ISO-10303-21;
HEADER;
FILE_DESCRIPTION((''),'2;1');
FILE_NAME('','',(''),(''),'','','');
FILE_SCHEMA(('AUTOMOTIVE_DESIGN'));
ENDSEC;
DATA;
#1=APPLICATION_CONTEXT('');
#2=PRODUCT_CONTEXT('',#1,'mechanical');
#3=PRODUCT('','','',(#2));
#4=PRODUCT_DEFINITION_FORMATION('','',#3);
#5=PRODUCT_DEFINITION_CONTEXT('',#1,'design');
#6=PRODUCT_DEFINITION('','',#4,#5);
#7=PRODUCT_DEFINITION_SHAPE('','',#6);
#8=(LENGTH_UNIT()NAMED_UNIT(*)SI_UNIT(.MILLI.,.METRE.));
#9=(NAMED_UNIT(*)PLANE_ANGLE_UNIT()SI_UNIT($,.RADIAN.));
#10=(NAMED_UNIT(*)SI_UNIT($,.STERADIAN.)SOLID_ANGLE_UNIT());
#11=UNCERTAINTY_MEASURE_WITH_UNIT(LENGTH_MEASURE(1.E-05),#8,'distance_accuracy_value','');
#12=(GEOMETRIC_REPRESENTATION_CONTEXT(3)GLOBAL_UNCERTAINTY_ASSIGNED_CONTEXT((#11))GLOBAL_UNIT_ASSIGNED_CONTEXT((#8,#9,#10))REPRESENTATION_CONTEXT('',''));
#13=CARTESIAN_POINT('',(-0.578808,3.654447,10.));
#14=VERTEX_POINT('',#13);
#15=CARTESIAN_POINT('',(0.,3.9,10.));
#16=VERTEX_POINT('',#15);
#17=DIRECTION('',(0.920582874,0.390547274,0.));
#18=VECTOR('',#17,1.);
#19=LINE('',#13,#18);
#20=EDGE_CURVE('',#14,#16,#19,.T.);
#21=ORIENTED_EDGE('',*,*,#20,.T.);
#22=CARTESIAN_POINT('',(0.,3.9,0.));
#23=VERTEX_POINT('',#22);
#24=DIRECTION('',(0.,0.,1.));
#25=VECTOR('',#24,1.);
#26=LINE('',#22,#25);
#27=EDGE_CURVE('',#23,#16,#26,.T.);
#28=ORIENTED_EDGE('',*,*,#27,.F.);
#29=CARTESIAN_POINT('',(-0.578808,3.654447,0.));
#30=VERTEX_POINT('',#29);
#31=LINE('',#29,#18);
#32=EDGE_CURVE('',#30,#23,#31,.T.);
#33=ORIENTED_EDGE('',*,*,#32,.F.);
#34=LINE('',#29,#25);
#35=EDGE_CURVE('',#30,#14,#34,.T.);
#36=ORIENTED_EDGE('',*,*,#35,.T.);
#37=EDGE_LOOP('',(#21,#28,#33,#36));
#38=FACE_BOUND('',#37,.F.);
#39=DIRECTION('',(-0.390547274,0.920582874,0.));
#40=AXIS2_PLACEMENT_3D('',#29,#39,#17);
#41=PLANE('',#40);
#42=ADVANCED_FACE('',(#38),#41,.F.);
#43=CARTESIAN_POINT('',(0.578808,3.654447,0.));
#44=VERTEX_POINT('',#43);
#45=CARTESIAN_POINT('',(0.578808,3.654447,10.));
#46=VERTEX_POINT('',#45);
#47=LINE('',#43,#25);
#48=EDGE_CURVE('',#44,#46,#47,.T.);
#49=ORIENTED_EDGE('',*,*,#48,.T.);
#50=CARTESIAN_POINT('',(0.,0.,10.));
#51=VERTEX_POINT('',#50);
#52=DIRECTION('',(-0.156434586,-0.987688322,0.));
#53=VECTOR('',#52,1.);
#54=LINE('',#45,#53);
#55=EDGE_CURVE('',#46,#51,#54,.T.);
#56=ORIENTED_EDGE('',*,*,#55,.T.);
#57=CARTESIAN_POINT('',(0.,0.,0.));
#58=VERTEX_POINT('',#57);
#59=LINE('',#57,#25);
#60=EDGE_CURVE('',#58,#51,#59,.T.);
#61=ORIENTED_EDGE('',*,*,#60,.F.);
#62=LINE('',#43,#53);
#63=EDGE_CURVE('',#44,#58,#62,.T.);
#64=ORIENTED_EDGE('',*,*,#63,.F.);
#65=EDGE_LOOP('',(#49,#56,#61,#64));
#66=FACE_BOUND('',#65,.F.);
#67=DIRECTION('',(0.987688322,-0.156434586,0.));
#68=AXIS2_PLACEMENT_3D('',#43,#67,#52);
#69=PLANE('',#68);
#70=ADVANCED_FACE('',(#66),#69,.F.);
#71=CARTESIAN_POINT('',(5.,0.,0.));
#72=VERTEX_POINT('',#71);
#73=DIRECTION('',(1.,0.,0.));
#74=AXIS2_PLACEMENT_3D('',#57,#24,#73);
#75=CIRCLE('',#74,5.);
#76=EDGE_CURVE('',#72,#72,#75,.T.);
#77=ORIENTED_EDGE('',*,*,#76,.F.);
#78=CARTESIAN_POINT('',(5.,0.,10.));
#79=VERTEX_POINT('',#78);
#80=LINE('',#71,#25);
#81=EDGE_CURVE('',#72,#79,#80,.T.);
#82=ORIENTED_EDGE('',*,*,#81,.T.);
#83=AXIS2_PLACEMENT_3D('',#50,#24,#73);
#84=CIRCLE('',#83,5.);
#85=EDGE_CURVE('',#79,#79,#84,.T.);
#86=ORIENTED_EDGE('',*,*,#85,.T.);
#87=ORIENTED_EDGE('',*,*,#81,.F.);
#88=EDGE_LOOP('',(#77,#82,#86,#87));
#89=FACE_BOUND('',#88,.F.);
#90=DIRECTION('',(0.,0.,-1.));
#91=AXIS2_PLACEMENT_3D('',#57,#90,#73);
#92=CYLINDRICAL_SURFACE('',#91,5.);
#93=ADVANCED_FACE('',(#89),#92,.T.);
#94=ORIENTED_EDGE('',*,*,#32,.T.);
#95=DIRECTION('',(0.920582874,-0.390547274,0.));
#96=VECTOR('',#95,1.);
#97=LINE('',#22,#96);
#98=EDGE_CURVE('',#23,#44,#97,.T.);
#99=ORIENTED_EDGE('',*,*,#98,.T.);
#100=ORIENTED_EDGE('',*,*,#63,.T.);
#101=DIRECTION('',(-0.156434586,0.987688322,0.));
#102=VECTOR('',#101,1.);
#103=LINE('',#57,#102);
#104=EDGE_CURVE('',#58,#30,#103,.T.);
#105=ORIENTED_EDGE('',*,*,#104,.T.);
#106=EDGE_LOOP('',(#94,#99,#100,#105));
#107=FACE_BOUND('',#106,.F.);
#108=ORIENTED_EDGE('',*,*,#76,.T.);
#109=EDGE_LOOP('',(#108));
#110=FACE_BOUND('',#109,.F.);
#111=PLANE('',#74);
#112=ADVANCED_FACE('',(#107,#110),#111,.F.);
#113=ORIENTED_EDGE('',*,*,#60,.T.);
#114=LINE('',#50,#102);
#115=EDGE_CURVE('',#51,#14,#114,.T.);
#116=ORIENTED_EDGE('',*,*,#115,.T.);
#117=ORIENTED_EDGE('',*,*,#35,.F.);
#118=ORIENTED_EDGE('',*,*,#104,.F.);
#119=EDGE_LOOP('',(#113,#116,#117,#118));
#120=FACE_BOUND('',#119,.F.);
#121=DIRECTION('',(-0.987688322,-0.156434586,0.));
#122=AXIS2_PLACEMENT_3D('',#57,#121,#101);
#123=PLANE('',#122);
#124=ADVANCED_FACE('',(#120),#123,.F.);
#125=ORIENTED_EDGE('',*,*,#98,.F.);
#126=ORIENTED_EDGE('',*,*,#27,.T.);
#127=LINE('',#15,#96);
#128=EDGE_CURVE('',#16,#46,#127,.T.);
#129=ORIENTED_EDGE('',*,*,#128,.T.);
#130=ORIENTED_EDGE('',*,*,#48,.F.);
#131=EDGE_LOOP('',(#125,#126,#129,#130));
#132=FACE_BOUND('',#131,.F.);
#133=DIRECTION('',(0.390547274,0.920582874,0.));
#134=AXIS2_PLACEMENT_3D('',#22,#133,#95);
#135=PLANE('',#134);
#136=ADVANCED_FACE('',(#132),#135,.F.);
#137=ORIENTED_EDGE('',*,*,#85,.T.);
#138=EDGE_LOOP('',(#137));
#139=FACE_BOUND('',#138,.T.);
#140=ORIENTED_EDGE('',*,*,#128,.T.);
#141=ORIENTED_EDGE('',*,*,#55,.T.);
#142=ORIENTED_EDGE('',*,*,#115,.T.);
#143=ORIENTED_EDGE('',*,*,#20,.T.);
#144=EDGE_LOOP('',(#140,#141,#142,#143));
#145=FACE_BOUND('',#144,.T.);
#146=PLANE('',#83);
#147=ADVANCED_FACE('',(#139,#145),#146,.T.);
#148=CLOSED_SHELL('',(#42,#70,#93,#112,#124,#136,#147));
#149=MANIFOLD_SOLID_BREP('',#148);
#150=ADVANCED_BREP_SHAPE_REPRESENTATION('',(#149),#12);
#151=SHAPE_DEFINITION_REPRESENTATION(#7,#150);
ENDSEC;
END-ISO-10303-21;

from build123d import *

# Parameters (mm, degrees)
F0_R     = 5
F1_DEPTH = 10


with BuildPart() as f1:
    # F0 (on Top) → F1 (new body)
    with BuildSketch(Plane.XY):
        Circle(F0_R)
        Polygon((0.578808, 3.654447), (0, 0), (-0.578808, 3.654447), (0, 3.9), align=None, mode=Mode.SUBTRACT)
    extrude(amount=F1_DEPTH)


solid = f1.part
